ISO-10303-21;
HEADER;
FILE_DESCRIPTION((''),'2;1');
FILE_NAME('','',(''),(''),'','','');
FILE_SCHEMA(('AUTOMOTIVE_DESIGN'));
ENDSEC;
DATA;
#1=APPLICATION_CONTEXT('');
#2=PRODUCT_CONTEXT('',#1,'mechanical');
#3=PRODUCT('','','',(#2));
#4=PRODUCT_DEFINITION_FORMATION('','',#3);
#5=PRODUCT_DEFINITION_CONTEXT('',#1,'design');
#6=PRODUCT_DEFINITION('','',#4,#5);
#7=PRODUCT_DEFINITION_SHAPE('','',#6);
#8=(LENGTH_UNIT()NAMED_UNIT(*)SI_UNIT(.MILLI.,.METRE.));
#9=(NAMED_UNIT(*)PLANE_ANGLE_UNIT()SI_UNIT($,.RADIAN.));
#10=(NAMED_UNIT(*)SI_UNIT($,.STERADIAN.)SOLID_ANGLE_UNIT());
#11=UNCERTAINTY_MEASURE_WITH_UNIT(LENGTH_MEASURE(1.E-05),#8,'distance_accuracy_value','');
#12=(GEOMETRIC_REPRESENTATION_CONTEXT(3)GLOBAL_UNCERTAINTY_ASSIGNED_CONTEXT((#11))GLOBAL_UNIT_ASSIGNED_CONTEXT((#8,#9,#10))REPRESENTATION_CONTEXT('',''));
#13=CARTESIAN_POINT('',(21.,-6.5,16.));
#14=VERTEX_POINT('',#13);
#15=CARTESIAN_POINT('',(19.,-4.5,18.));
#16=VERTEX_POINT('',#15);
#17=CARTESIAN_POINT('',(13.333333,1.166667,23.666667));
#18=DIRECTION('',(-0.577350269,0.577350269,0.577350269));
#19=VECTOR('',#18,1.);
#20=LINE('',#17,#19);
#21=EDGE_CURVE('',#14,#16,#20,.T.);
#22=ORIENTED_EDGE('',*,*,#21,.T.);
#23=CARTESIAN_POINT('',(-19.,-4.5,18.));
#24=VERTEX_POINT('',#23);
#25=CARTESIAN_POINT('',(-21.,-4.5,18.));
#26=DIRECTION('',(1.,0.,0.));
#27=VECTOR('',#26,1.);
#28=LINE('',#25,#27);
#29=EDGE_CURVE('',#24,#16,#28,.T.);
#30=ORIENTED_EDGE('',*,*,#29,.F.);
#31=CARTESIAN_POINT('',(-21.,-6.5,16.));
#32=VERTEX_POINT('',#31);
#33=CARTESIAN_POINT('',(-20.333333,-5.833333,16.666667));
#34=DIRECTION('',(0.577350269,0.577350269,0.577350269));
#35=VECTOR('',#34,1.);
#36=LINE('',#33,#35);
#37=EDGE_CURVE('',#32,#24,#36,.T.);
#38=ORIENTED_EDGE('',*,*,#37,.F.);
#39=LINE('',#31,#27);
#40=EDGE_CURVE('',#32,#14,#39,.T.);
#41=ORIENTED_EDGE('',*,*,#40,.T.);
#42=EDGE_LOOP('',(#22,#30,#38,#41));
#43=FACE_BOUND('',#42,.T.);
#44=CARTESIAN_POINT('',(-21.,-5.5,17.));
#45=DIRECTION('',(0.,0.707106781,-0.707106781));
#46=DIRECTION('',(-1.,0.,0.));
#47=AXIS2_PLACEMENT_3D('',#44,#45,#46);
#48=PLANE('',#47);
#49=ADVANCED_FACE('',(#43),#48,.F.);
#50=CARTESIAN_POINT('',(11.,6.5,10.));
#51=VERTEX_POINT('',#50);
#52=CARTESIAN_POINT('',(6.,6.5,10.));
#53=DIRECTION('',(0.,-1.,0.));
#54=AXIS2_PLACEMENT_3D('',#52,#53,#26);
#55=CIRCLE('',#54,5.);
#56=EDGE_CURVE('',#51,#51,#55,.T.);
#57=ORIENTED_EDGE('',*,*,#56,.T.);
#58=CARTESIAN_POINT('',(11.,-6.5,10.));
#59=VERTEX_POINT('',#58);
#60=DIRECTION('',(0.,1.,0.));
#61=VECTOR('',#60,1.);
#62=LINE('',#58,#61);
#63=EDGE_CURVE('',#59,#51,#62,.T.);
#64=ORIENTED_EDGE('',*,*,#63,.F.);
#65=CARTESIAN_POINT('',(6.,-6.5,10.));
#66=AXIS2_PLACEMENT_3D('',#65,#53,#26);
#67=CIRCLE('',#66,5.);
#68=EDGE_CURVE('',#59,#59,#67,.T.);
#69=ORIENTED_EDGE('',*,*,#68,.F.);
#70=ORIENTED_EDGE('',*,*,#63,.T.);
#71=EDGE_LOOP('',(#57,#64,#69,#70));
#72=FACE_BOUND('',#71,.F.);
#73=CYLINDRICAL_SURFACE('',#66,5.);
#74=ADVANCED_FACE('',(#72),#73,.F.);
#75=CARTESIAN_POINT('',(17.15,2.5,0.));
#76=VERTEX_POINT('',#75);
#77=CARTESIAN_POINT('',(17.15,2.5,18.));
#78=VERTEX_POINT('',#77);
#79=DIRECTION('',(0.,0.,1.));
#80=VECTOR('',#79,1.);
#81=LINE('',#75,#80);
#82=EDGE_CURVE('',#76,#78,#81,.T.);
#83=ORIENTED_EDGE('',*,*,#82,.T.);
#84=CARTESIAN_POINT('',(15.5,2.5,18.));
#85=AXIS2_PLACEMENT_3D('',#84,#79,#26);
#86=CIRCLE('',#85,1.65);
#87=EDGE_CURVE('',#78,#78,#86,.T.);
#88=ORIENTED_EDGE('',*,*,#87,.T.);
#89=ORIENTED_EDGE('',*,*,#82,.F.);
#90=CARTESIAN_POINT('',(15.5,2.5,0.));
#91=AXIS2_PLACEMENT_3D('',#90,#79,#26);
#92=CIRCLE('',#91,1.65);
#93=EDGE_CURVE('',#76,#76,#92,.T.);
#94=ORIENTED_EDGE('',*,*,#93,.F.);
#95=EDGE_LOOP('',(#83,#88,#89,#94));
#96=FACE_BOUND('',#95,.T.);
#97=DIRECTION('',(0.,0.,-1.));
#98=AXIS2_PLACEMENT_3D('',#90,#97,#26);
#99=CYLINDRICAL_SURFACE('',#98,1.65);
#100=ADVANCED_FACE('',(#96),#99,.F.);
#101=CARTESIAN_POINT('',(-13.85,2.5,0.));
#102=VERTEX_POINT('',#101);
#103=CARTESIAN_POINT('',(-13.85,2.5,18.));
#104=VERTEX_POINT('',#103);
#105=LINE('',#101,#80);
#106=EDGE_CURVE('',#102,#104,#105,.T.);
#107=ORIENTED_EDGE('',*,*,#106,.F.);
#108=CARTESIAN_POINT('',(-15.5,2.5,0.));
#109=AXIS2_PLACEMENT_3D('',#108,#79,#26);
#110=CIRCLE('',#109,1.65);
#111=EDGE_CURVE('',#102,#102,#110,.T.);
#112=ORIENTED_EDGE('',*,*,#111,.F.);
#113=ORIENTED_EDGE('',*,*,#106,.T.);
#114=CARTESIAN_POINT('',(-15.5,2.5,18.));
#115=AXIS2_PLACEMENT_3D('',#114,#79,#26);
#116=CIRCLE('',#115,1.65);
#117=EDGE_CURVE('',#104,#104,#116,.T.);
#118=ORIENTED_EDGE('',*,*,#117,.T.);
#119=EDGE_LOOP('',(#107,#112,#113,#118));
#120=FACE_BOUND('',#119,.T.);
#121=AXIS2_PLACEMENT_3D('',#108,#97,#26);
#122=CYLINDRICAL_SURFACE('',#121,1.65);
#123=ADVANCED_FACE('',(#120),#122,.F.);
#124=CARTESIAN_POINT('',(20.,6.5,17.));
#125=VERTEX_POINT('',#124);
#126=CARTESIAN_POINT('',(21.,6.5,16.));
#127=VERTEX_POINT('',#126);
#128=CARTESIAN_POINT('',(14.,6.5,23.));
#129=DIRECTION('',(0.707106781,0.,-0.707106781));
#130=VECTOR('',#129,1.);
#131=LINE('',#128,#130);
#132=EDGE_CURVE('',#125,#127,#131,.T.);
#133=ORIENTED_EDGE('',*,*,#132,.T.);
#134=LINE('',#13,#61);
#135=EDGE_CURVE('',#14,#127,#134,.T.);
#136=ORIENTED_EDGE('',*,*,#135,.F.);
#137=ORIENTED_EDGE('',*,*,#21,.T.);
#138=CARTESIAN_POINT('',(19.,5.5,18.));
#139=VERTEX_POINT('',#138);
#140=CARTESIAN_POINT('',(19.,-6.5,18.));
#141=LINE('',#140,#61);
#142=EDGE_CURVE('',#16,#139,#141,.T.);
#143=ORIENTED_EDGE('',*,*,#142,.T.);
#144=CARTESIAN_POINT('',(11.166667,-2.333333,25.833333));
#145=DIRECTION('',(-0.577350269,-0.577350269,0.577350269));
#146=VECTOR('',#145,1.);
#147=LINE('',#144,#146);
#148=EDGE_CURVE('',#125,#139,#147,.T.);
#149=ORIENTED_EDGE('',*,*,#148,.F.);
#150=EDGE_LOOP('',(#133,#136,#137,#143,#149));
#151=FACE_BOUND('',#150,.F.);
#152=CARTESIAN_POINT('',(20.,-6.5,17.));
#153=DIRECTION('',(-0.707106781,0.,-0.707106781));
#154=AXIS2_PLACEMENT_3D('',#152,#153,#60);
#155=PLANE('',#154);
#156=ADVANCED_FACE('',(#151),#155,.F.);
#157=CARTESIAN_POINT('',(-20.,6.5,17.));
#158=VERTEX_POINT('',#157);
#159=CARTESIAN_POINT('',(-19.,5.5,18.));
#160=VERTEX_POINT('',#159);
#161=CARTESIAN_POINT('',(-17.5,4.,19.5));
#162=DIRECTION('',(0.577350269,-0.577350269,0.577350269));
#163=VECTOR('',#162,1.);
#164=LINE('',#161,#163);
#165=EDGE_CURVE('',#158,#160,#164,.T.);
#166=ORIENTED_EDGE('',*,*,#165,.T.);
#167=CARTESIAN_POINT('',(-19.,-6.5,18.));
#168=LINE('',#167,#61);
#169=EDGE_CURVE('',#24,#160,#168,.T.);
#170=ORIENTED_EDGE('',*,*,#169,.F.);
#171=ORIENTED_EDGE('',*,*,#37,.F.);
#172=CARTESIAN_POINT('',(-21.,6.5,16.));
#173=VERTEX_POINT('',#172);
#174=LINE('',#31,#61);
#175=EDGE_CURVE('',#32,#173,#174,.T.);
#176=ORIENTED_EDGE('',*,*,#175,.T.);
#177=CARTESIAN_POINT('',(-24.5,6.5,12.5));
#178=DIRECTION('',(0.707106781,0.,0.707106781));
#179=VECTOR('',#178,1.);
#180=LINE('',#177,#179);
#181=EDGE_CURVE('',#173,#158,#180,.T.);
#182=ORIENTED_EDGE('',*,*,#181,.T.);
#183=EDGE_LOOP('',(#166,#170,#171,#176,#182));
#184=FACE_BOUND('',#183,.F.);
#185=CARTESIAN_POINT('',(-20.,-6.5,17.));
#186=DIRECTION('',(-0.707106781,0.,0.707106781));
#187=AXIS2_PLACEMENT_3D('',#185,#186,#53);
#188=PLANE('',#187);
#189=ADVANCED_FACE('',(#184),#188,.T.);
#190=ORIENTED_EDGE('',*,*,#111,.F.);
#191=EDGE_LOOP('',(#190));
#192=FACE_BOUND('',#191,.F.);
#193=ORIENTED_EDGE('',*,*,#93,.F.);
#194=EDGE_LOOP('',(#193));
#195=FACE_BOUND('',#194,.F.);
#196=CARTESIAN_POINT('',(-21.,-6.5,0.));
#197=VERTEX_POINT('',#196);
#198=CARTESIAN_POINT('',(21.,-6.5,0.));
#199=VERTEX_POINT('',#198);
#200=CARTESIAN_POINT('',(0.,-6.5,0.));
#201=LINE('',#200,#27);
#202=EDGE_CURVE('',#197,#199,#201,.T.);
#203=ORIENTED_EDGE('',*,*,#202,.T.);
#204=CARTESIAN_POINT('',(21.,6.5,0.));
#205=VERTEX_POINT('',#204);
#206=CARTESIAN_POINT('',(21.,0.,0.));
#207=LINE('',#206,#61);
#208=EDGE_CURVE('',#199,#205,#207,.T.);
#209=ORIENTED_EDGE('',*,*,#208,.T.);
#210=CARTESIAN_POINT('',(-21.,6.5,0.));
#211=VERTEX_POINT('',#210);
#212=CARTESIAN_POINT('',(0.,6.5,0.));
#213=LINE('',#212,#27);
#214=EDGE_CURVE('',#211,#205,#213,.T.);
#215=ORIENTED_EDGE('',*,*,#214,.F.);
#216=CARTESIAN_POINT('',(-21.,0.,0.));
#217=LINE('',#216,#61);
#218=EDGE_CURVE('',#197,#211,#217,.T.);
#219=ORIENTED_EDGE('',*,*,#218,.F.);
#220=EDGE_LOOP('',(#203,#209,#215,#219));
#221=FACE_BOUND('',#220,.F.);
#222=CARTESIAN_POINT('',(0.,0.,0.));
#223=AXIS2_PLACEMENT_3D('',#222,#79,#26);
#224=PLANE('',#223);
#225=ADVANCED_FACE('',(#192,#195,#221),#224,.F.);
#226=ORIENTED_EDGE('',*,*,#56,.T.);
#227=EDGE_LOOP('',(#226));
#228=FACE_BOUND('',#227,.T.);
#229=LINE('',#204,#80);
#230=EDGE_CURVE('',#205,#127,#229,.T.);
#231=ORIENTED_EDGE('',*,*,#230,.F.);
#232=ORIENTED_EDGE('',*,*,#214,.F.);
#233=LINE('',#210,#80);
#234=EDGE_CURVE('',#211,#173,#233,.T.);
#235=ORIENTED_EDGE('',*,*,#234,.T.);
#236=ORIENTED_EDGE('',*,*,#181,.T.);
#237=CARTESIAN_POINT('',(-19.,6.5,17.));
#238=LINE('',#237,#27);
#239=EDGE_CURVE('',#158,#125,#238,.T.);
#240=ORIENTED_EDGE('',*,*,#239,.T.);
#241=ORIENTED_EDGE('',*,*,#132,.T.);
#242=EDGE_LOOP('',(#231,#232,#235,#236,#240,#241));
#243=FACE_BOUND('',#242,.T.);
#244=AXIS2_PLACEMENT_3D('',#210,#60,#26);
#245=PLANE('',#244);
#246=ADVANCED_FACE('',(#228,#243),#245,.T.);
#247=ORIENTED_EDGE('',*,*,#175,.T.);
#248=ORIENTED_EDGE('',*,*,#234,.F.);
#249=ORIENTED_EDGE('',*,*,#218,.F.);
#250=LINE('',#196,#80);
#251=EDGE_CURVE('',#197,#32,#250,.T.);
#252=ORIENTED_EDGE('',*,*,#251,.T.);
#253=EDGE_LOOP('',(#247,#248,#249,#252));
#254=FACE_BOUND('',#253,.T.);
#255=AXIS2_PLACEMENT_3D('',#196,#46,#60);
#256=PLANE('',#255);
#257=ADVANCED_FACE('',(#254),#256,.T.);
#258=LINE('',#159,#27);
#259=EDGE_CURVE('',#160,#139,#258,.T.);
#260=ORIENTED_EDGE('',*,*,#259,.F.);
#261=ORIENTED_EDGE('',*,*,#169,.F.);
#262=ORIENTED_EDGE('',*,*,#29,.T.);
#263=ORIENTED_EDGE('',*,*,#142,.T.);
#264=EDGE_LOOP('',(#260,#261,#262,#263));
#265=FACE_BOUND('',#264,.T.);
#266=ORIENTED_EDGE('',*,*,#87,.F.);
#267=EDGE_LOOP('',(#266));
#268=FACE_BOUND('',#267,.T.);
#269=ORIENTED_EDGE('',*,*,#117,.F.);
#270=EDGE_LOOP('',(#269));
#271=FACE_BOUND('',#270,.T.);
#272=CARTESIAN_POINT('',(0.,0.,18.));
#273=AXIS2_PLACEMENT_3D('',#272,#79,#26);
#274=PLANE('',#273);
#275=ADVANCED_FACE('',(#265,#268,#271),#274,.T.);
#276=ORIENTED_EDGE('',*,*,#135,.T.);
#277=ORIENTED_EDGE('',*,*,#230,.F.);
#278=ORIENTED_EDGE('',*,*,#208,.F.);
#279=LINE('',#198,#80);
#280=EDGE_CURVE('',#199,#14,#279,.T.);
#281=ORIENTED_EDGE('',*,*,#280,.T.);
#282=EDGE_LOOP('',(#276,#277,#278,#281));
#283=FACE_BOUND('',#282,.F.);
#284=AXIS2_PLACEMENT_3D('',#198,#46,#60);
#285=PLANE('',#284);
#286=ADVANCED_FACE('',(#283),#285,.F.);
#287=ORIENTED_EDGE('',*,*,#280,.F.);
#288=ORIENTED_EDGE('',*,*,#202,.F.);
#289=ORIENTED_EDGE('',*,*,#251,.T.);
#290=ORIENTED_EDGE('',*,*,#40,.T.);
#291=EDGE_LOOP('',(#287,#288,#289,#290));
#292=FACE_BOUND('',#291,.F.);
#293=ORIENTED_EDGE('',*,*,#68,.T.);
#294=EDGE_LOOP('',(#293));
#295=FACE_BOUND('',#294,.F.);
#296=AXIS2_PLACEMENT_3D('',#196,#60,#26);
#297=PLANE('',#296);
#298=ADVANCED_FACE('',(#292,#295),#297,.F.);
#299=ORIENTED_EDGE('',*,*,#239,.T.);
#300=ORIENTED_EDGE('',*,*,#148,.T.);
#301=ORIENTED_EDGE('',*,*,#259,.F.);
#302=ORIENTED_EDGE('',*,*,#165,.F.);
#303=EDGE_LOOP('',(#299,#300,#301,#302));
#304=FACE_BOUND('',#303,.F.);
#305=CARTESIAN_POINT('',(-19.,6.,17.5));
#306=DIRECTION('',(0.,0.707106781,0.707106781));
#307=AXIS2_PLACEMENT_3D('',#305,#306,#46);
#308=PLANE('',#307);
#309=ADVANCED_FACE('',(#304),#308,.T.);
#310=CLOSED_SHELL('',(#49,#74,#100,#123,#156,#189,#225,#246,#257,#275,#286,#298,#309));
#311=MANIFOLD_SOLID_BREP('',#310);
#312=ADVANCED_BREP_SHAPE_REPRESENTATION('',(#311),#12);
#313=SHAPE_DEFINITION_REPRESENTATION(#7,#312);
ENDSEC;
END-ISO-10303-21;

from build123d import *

# Parameters (mm, degrees)
F0_W     = 42
F0_H     = 13
F0_R     = 1.65
F1_DEPTH = 18
F2_R     = 5
F3_DEPTH = 13
F4_SIZE  = 2
F5_SIZE  = 1


with BuildPart() as f1:
    # F0 (on Top) → F1 (new body)
    with BuildSketch(Plane.XY):
        Rectangle(F0_W, F0_H)
        with Locations((-15.5, 2.5)):
            Circle(F0_R, mode=Mode.SUBTRACT)
        with Locations((15.5, 2.5)):
            Circle(F0_R, mode=Mode.SUBTRACT)
    extrude(amount=F1_DEPTH)

    # F2 (on face) → F3 (cut, through all)
    with BuildSketch(Plane.XZ.offset(6.5)):
        with Locations((6, 10)):
            Circle(F2_R)
    extrude(amount=-F3_DEPTH, mode=Mode.SUBTRACT)

    # F4
    f4_edges = [f1.edges().sort_by_distance(p)[0] for p in [
        (-21, 0, 18),
        (0, -6.5, 18),
        (21, 0, 18),
    ]]
    chamfer(f4_edges, length=F4_SIZE)

    # F5
    f5_edges = [f1.edges().sort_by_distance(p)[0] for p in [
        (0, 6.5, 18),
    ]]
    chamfer(f5_edges, length=F5_SIZE)


solid = f1.part
